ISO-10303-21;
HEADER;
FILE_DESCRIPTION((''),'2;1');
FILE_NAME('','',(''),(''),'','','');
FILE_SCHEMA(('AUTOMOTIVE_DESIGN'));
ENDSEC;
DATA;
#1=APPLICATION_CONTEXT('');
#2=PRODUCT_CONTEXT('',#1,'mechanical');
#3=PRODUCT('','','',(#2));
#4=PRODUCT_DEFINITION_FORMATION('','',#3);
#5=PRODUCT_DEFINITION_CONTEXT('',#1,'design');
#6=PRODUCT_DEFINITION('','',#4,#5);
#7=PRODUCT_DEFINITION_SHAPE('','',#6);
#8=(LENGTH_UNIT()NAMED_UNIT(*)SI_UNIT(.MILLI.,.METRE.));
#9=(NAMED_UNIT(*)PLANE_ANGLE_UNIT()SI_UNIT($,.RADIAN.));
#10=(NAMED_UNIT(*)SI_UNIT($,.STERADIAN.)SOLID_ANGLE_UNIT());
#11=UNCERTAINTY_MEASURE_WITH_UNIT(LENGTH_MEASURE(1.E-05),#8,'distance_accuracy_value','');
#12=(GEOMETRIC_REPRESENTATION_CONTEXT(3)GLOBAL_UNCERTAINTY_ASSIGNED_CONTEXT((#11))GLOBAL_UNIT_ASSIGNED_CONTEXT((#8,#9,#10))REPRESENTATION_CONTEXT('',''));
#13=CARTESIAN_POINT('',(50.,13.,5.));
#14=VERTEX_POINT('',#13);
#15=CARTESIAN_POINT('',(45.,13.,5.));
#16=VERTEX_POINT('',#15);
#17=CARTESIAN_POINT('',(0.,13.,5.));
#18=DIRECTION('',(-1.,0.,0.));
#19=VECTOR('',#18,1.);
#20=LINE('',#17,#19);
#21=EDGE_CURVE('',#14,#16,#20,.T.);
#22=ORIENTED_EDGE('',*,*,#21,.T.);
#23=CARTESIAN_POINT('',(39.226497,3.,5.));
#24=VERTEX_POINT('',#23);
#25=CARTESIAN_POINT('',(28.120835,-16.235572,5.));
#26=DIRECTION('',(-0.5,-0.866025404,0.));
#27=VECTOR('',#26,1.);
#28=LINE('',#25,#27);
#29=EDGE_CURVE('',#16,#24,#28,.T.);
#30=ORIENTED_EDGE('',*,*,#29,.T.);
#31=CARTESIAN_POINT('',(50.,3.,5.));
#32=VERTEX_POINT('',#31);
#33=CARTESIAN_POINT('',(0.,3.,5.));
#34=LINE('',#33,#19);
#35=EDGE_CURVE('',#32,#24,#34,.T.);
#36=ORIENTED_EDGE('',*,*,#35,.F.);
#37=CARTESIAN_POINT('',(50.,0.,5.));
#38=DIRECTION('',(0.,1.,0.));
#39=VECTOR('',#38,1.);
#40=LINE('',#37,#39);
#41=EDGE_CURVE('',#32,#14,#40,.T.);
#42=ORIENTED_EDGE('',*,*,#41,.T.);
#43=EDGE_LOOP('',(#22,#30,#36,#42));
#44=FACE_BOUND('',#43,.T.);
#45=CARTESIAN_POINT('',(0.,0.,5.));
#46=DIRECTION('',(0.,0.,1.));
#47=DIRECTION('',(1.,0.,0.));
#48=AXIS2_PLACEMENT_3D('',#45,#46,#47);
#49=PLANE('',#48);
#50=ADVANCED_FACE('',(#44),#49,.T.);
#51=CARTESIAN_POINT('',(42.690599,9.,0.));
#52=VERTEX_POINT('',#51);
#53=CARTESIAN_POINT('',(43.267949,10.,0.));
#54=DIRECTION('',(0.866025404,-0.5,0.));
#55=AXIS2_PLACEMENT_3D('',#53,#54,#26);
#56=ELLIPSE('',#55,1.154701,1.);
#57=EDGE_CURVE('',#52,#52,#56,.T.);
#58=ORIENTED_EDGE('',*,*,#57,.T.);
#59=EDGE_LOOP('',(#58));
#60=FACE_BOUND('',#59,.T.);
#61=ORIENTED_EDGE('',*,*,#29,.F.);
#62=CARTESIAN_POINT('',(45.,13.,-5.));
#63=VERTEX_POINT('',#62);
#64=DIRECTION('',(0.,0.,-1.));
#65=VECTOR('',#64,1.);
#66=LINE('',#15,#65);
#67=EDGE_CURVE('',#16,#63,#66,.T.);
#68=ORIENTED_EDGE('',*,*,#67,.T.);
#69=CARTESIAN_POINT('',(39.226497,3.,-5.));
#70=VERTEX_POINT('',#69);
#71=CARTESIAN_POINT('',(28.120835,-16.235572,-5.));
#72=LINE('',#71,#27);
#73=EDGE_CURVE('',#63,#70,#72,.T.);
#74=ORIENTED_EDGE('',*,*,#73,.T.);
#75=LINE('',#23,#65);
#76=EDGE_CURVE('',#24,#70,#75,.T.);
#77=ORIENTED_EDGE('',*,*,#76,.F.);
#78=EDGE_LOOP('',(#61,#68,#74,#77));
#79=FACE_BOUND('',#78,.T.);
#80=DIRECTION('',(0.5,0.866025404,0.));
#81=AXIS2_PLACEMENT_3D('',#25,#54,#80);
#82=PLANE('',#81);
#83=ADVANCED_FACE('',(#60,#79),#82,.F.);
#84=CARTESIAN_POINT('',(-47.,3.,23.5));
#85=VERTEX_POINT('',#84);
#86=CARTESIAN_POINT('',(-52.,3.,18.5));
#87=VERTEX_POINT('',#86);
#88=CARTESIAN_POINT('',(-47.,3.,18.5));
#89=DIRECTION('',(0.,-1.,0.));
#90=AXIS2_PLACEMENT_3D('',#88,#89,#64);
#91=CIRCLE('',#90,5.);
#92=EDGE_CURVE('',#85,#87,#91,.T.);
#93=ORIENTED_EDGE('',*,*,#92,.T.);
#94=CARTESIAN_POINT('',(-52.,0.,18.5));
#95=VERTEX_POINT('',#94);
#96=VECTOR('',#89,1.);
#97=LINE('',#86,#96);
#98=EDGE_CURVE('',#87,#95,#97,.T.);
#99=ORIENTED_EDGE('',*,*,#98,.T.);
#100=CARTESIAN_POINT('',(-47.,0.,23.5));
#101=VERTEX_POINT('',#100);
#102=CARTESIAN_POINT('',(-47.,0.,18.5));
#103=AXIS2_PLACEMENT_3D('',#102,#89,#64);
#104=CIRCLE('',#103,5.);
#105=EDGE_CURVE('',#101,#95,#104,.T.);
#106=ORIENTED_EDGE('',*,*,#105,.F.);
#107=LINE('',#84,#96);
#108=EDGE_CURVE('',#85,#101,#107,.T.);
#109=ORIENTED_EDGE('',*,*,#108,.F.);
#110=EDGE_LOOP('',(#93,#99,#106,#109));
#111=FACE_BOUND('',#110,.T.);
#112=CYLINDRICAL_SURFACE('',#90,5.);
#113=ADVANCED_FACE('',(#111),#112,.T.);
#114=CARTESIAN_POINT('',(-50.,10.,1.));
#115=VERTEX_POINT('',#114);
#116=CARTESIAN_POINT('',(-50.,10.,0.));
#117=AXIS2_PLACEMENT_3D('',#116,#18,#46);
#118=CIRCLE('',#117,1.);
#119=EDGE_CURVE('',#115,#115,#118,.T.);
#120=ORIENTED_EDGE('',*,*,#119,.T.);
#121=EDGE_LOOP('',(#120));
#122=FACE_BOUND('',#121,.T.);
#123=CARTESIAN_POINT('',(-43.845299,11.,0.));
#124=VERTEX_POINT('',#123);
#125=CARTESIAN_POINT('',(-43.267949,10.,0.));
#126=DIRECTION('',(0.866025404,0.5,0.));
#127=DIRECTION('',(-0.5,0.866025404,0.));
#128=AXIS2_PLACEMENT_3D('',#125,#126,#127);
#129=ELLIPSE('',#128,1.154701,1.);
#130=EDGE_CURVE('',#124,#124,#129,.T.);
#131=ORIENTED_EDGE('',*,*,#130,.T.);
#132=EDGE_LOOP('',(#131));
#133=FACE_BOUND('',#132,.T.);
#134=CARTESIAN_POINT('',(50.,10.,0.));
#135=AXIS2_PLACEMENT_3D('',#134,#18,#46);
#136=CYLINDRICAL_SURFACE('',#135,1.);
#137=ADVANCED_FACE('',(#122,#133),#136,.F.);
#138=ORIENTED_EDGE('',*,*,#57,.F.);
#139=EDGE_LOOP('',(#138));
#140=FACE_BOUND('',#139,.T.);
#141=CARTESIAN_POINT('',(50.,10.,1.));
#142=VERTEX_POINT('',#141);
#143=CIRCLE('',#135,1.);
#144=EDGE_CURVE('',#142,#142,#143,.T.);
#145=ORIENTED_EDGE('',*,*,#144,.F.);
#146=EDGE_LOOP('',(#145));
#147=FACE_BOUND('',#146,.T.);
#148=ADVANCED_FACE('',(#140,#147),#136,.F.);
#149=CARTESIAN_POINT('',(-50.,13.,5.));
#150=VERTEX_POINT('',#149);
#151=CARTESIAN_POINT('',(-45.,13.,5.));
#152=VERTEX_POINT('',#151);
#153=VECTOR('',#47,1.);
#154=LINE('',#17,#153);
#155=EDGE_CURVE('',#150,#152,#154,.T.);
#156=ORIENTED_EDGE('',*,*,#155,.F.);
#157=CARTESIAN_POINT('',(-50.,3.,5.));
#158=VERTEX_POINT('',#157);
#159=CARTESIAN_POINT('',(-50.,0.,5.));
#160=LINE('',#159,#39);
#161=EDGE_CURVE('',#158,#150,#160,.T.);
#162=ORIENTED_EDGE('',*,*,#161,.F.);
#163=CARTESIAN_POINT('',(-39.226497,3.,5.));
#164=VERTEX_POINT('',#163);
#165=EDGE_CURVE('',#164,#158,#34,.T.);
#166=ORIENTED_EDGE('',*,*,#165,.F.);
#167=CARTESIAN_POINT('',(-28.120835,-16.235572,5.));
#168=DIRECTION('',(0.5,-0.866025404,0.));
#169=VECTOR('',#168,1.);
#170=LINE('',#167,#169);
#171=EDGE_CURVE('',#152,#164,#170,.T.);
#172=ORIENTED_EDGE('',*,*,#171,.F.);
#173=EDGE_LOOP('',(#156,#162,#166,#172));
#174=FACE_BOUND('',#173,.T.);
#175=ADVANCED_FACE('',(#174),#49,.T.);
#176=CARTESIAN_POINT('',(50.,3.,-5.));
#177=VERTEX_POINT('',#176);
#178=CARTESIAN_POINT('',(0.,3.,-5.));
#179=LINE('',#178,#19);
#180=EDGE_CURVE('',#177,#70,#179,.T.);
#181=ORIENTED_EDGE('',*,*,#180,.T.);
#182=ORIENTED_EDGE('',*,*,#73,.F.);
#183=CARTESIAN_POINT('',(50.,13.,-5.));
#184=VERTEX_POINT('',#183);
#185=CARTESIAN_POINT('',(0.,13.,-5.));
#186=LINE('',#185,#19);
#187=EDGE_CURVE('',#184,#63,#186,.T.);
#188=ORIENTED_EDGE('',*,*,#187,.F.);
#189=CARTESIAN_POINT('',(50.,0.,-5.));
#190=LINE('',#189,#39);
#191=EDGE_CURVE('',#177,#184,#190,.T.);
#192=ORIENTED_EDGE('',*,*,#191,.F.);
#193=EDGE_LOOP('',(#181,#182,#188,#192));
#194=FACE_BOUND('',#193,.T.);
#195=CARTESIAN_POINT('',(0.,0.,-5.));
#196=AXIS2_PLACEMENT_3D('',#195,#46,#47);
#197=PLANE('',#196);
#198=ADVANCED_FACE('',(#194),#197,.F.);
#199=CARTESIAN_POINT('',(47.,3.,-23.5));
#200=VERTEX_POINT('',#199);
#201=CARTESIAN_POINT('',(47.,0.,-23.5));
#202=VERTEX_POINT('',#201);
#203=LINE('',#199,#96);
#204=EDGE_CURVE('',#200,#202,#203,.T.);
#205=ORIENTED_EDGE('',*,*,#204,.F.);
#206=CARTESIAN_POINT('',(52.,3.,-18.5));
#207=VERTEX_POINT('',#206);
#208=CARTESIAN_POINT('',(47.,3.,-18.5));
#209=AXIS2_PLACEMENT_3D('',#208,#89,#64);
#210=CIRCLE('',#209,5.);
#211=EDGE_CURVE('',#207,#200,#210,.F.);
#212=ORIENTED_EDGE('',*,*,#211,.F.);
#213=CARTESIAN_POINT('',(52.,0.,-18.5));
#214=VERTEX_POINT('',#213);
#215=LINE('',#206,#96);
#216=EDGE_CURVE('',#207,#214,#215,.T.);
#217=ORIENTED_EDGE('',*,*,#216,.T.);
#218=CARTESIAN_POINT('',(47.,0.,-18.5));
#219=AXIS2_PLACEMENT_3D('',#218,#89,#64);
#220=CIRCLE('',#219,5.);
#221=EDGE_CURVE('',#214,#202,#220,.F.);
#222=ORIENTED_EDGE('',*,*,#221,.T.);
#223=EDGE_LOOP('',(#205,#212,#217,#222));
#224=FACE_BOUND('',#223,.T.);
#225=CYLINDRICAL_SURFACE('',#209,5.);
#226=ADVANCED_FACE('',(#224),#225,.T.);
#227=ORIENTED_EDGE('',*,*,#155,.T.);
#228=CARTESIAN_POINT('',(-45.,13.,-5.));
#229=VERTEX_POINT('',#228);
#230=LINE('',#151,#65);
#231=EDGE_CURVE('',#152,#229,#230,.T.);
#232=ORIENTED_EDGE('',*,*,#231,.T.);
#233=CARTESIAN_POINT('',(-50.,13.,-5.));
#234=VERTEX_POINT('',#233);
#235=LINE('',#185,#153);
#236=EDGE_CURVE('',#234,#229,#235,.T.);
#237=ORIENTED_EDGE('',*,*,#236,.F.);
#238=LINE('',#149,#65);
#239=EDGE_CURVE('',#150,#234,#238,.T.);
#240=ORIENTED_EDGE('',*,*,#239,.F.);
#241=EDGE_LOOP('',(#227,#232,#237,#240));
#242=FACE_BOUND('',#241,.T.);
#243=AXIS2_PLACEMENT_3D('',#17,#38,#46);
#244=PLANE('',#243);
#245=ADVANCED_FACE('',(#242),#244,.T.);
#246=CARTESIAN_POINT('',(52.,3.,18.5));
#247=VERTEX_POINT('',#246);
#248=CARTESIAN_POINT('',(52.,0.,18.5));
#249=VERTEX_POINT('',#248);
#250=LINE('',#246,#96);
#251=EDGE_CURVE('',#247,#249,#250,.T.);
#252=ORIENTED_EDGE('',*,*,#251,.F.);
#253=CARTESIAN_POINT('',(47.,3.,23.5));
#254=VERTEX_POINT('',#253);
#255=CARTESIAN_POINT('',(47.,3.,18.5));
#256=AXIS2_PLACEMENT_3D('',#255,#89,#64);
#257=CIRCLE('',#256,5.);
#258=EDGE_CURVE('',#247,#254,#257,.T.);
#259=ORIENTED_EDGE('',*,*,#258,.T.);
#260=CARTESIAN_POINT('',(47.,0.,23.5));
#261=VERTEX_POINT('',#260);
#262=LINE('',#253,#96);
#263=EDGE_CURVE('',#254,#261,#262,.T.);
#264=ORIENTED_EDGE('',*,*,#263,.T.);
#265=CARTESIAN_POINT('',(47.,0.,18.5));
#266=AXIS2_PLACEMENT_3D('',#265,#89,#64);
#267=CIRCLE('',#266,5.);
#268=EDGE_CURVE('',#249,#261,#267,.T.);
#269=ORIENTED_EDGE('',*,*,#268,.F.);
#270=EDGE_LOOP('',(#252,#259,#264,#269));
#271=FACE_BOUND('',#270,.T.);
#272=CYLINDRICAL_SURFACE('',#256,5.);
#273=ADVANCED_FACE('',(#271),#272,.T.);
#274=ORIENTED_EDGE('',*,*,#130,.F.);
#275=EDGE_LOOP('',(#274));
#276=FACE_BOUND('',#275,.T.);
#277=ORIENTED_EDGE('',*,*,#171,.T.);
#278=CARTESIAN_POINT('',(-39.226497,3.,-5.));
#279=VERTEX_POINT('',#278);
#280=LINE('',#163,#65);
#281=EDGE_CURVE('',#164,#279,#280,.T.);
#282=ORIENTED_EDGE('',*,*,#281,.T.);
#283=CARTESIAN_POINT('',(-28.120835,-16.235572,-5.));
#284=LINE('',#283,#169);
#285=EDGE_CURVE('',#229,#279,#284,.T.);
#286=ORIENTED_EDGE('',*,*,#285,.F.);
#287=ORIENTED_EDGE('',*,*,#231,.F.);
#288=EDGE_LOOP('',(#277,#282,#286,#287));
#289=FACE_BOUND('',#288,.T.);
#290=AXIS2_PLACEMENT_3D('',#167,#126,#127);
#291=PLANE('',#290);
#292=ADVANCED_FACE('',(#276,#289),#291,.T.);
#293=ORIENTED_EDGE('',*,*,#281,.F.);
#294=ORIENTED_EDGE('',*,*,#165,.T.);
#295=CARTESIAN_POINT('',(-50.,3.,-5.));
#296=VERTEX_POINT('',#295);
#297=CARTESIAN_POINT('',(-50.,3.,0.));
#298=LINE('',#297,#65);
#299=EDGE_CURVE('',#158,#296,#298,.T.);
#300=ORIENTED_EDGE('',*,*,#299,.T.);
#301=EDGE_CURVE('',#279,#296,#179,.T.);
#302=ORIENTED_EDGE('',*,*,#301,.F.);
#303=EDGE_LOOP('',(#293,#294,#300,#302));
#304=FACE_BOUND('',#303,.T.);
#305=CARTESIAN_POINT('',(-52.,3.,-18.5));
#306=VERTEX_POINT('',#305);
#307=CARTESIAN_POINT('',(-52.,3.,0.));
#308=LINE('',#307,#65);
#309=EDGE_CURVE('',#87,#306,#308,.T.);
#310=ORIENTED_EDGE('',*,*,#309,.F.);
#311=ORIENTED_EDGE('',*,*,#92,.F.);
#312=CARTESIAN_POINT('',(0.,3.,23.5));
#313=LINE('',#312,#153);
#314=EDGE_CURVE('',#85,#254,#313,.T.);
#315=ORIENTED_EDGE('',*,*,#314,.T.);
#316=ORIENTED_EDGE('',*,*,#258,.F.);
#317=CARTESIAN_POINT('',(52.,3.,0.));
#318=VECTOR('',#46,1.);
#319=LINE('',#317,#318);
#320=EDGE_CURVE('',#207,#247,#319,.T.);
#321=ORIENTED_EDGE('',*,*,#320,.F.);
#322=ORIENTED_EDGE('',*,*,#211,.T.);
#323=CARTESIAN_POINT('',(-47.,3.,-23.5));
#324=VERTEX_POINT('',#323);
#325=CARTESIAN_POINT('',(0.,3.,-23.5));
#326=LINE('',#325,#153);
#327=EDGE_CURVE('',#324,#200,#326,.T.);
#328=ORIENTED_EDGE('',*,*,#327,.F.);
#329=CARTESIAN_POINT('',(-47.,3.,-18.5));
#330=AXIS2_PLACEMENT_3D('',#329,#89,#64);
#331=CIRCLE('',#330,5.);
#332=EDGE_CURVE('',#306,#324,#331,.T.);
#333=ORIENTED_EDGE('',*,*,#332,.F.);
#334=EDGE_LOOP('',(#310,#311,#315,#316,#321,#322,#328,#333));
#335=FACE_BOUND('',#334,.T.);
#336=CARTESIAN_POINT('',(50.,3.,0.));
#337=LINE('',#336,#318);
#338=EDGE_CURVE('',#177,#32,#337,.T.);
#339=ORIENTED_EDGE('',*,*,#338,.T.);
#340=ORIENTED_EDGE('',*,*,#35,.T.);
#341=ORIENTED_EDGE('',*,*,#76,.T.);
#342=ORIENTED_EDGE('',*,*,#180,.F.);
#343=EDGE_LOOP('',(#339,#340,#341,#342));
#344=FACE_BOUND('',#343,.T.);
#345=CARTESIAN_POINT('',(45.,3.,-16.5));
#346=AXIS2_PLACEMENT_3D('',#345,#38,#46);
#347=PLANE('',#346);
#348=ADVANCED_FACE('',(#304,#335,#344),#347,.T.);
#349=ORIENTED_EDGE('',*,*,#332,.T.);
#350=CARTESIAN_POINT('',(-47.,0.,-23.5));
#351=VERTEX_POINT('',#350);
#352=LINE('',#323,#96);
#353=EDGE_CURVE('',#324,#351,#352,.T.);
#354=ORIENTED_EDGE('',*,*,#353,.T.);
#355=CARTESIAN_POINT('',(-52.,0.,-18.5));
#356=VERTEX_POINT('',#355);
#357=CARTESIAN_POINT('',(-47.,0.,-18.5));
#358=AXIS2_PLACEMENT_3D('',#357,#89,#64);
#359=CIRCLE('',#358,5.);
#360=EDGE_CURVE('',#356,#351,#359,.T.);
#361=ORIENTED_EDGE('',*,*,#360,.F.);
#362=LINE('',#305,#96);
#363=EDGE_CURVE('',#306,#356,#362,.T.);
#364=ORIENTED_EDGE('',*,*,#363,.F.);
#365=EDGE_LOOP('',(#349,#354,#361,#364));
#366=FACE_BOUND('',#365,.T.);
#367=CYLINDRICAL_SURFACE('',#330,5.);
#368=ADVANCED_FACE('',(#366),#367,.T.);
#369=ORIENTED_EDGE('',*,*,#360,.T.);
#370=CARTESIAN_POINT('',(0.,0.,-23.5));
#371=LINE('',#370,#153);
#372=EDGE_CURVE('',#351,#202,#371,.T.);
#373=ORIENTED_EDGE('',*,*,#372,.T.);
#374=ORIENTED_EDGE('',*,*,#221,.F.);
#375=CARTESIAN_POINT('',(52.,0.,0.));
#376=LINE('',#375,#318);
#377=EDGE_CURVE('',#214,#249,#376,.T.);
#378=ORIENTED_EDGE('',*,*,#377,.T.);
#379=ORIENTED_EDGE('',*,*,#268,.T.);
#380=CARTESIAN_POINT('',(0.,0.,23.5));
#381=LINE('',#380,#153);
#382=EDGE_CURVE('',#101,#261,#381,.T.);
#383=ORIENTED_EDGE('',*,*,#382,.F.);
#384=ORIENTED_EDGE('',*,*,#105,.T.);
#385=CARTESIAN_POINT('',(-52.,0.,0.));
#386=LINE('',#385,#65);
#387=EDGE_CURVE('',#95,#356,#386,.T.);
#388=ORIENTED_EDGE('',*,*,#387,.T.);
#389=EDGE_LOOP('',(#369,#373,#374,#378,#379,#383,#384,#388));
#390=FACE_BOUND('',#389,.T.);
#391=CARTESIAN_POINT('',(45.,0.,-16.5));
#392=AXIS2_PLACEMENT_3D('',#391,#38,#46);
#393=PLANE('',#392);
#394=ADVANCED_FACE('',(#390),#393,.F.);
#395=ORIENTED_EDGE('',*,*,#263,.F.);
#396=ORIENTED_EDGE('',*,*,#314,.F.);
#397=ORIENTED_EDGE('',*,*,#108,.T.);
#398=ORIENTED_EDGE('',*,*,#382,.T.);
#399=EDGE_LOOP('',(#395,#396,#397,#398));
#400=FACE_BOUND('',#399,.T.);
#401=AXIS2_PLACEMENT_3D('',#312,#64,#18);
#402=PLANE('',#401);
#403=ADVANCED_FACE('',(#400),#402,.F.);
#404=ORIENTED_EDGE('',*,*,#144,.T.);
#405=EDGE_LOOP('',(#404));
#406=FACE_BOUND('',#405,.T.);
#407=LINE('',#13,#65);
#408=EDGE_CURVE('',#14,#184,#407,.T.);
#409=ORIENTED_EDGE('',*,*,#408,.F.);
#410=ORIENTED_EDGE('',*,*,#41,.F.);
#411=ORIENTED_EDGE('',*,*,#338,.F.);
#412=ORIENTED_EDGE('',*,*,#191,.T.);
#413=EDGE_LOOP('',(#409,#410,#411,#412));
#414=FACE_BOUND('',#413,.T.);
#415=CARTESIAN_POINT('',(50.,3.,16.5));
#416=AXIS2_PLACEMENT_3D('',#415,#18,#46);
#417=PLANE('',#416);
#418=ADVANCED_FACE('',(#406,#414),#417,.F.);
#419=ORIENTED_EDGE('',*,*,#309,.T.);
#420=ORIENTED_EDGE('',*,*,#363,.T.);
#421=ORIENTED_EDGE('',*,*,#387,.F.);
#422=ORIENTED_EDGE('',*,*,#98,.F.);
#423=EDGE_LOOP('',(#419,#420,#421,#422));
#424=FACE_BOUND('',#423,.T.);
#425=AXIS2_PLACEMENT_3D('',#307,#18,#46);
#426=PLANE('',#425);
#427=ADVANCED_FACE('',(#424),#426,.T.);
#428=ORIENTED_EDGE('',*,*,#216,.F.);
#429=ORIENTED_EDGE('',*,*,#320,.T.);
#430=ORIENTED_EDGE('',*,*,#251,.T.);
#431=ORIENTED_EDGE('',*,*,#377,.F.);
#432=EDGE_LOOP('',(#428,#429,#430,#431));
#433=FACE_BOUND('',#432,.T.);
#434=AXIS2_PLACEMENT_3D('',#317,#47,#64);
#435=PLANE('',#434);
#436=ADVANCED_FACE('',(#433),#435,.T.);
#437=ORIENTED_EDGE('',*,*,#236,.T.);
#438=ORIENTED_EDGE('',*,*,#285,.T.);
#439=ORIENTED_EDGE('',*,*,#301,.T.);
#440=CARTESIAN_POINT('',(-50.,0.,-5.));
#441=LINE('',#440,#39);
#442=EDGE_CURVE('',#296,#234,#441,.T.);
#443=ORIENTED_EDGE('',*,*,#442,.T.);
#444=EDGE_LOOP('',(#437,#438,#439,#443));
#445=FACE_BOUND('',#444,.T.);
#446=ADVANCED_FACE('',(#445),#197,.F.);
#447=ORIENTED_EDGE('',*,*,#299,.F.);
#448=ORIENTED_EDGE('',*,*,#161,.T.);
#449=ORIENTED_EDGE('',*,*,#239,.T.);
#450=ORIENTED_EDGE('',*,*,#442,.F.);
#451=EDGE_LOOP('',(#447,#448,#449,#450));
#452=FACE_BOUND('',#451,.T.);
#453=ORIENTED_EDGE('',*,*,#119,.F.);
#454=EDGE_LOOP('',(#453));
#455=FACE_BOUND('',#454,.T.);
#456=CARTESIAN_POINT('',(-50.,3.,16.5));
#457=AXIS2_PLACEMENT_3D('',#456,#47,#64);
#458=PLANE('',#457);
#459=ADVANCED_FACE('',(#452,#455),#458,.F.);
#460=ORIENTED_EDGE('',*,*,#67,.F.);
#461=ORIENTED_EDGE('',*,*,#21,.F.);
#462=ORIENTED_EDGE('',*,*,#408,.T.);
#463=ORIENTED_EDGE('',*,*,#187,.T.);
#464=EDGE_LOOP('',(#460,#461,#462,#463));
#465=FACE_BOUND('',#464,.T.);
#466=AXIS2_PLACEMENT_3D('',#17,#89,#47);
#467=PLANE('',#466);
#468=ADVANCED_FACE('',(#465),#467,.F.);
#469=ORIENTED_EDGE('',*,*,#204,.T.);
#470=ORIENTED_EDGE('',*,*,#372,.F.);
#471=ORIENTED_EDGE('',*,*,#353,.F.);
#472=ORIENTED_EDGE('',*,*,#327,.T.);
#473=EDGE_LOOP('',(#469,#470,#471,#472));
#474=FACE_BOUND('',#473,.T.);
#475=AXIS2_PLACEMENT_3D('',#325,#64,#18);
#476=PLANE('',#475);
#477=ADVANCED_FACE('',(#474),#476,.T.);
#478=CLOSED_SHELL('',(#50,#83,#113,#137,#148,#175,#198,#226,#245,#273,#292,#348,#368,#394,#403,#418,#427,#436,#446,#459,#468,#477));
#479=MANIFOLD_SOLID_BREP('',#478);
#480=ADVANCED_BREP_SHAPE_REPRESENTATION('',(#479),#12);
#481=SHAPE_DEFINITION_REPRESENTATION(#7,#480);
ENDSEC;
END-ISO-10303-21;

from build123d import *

# Parameters (mm, degrees)
EXTRUDE_1_DEPTH     = 3
EXTRUDE_2_DEPTH     = 5
SKETCH_4_R          = 1
CUT_EXTRUDE_1_DEPTH = 101
EXTRUDE_3_DEPTH     = 3


with BuildPart() as part:
    # Эскиз1 → Бобышка-Вытянуть1 (new body)
    with BuildSketch(Plane(origin=(0, 0, 0), x_dir=(1, 0, 0), z_dir=(0, 1, 0))):
        with BuildLine():
            Line((-45, -21.5), (45, -21.5))
            ThreePointArc((45, -21.5), (48.535533906, -20.035533906), (50, -16.5))
            Line((50, -16.5), (50, 16.5))
            ThreePointArc((50, 16.5), (48.535533906, 20.035533906), (45, 21.5))
            Line((45, 21.5), (-45, 21.5))
            ThreePointArc((-45, 21.5), (-48.535533906, 20.035533906), (-50, 16.5))
            Line((-50, 16.5), (-50, -16.5))
            ThreePointArc((-50, -16.5), (-48.535533906, -20.035533906), (-45, -21.5))
        make_face()
    extrude(amount=EXTRUDE_1_DEPTH)

    # Эскиз3 → Бобышка-Вытянуть2 (add, symmetric)
    with BuildSketch(Plane.XY):
        Polygon((-39.226497308, 3), (-45, 3), (-50, 3), (-50, 13), (-45, 13), align=None)
        Polygon((50, 3), (45, 3), (39.226497308, 3), (45, 13), (50, 13), align=None)
    extrude(amount=EXTRUDE_2_DEPTH, both=True)

    # Эскиз4 → Вырез-Вытянуть1 (cut, through all)
    with BuildSketch(Plane.ZY.offset(50)):
        with Locations((0, 10)):
            Circle(SKETCH_4_R)
    extrude(amount=-CUT_EXTRUDE_1_DEPTH, mode=Mode.SUBTRACT)

    # Эскиз5 → Бобышка-Вытянуть3 (add)
    with BuildSketch(Plane.XZ):
        with BuildLine():
            Line((52, -18.5), (52, -16.5))
            Line((52, -16.5), (52, 16.5))
            Line((52, 16.5), (52, 18.5))
            ThreePointArc((52, 18.5), (50.535533906, 22.035533906), (47, 23.5))
            Line((47, 23.5), (45, 23.5))
            Line((45, 23.5), (-45, 23.5))
            Line((-45, 23.5), (-47, 23.5))
            ThreePointArc((-47, 23.5), (-50.535533906, 22.035533906), (-52, 18.5))
            Line((-52, 18.5), (-52, 16.5))
            Line((-52, 16.5), (-52, -16.5))
            Line((-52, -16.5), (-52, -18.5))
            ThreePointArc((-52, -18.5), (-50.535533906, -22.035533906), (-47, -23.5))
            Line((-47, -23.5), (-45, -23.5))
            Line((-45, -23.5), (45, -23.5))
            Line((45, -23.5), (47, -23.5))
            ThreePointArc((47, -23.5), (50.535533906, -22.035533906), (52, -18.5))
        make_face()
        with BuildLine():
            Line((50, 16.5), (50, -16.5))
            ThreePointArc((50, -16.5), (48.535533906, -20.035533906), (45, -21.5))
            Line((45, -21.5), (-45, -21.5))
            ThreePointArc((-45, -21.5), (-48.535533906, -20.035533906), (-50, -16.5))
            Line((-50, -16.5), (-50, 16.5))
            ThreePointArc((-50, 16.5), (-48.535533906, 20.035533906), (-45, 21.5))
            Line((-45, 21.5), (45, 21.5))
            ThreePointArc((45, 21.5), (48.535533906, 20.035533906), (50, 16.5))
        make_face(mode=Mode.SUBTRACT)
    extrude(amount=-EXTRUDE_3_DEPTH)


solid = part.part
